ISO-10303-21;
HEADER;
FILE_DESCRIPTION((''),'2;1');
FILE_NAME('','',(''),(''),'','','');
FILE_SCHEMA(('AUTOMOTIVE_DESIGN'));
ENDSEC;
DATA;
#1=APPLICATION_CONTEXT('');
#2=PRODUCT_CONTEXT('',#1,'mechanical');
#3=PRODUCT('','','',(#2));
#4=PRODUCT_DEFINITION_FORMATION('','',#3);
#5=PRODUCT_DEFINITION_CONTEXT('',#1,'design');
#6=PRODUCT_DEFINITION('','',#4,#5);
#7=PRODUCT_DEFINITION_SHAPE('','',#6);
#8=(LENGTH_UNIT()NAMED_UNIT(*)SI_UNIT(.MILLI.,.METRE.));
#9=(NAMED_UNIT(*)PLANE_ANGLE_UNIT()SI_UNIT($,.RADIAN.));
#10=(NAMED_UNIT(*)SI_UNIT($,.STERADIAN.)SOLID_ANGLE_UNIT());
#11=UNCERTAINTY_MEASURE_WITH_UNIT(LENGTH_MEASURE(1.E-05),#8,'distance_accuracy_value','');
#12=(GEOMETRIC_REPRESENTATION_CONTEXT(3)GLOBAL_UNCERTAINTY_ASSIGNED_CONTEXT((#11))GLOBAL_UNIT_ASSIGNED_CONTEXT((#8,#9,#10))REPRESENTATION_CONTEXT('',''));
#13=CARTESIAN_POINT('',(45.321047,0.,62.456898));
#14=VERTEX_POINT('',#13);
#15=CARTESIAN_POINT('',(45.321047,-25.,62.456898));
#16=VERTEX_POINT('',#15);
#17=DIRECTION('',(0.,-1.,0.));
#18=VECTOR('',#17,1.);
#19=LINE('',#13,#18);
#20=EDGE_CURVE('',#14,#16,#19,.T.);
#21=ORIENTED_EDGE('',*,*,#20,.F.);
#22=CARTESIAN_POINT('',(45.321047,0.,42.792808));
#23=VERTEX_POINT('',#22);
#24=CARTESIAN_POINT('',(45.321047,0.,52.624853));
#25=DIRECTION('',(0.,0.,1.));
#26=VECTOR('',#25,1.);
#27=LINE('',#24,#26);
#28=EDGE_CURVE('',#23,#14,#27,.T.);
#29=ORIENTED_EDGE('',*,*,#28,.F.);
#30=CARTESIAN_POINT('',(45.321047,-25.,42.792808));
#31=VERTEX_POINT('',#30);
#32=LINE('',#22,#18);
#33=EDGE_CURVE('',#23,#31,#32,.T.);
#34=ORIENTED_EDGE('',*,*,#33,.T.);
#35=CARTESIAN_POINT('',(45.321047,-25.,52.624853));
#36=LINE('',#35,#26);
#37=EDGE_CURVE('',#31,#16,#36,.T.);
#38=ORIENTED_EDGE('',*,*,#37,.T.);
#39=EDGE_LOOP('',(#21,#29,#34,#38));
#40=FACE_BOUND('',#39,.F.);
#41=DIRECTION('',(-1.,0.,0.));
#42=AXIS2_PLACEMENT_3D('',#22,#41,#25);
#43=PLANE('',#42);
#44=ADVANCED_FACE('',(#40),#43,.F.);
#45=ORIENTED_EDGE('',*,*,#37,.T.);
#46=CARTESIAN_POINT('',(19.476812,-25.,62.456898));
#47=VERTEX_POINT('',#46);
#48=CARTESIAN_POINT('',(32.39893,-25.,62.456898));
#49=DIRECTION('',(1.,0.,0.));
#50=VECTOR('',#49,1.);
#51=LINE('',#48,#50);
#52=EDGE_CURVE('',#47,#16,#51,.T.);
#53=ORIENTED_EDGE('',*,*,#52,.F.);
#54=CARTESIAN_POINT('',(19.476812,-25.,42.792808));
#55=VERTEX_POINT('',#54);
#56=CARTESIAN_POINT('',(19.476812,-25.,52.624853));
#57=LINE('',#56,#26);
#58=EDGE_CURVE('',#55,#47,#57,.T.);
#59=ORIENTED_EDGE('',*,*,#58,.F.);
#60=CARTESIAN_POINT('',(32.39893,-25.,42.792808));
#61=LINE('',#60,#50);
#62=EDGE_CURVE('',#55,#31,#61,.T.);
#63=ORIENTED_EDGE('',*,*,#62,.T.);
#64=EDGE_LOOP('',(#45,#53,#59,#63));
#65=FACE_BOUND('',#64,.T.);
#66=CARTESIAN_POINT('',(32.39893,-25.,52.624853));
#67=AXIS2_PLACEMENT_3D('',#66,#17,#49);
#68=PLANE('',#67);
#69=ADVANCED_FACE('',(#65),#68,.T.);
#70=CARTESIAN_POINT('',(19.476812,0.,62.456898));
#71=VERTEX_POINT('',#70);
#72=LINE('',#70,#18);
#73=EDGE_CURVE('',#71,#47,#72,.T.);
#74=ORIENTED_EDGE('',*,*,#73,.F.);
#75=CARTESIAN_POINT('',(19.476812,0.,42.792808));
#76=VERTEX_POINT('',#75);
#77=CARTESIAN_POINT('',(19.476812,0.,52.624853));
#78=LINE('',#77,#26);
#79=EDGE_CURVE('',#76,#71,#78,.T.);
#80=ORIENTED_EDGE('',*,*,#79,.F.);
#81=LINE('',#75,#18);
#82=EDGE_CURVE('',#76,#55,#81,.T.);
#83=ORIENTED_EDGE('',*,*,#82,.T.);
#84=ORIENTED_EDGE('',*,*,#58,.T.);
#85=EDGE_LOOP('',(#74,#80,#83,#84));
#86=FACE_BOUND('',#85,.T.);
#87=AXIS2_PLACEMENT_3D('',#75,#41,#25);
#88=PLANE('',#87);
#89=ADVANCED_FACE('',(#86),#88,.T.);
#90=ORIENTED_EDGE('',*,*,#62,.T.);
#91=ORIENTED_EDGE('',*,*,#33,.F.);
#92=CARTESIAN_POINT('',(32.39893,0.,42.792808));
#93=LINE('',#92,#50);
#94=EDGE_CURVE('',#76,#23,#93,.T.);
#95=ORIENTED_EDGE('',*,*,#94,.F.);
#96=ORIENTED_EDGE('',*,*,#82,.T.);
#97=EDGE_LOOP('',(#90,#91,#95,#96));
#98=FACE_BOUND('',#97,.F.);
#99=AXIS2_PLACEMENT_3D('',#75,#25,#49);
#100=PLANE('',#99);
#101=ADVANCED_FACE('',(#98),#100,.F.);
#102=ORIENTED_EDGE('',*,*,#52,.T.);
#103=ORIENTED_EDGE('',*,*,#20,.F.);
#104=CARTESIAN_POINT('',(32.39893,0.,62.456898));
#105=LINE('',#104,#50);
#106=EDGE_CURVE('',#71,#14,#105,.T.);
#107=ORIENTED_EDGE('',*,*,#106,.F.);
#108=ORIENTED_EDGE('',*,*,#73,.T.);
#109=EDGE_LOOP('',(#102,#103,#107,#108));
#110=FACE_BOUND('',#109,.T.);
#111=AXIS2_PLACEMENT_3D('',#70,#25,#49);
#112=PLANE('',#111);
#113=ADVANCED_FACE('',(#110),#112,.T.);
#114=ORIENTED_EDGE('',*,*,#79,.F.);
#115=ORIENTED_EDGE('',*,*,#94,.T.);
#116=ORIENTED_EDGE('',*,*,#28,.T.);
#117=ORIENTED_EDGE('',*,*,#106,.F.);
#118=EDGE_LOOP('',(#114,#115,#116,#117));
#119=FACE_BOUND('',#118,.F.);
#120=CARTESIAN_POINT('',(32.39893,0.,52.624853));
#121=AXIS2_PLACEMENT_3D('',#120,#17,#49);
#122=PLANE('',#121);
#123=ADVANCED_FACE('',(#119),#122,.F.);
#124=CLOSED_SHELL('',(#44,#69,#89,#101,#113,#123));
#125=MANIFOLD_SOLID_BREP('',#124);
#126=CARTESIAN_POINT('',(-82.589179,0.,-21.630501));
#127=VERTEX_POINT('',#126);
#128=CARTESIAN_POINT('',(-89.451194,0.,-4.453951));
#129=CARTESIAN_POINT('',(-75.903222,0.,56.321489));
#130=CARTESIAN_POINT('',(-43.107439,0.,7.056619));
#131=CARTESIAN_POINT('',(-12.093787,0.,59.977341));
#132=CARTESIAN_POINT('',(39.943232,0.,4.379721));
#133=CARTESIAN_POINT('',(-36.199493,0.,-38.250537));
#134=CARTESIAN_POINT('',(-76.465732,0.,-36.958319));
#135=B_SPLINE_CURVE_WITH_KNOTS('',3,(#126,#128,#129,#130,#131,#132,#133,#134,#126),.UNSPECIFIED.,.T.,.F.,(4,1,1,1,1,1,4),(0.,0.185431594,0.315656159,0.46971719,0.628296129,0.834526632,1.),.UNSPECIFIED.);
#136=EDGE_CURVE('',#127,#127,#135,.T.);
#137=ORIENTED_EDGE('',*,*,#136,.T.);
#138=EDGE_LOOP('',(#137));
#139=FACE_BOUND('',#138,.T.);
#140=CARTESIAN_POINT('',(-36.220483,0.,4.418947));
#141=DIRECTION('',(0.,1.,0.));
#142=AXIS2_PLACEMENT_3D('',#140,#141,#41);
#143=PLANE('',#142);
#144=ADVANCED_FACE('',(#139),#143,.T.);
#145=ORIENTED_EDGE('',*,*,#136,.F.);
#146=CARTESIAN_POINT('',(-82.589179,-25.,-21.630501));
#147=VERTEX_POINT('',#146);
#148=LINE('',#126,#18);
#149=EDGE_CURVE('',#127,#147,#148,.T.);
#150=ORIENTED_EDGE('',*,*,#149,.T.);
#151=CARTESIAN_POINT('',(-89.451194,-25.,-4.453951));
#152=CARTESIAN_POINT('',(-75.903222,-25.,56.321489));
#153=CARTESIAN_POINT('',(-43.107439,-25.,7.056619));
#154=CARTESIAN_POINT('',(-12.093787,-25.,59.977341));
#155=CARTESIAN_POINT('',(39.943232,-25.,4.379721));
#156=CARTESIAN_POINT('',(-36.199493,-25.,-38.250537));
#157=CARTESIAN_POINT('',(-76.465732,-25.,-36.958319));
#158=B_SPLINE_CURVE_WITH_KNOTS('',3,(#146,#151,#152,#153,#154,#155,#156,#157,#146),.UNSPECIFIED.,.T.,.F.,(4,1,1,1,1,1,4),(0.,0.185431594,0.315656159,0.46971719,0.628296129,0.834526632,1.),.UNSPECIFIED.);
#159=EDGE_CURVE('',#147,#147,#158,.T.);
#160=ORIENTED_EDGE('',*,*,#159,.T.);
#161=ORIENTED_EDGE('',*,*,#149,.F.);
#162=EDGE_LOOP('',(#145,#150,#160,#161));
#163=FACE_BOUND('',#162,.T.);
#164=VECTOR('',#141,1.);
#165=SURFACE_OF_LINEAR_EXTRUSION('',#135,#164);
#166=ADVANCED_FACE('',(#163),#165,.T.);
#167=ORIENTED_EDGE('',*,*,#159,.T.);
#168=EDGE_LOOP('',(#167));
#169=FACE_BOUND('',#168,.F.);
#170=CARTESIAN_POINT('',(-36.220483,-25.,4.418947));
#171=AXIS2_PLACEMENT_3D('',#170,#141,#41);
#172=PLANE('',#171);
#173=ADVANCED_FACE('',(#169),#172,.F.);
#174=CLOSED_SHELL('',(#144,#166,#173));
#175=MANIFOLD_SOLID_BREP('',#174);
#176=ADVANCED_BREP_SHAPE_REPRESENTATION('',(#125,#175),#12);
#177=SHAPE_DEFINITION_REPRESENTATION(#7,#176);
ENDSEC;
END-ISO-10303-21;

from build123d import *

# Parameters (mm, degrees)
F1_DEPTH = 25
F0_W     = 25.8442349732
F0_H     = 19.6640901268


with BuildPart() as f1:
    # F0 (on Front) → F1 (new body)
    with BuildSketch(Plane.XZ):
        with BuildLine():
            add(Edge.make_bspline(
                [(-82.5891792774, -21.6305013746), (-89.4511938515, -4.4539511719), (-75.9032218879, 56.3214889248), (-43.1074394159, 7.0566190316), (-12.093787195, 59.9773405775), (39.943231533, 4.3797213554), (-36.1994930391, -38.2505368905), (-76.4657316261, -36.9583187176), (-82.5891792774, -21.6305013746)],
                knots=[0, 0, 0, 0, 0.1854315945, 0.3156561586, 0.4697171904, 0.6282961285, 0.8345266322, 1, 1, 1, 1], degree=3))
        make_face()
    extrude(amount=F1_DEPTH)


with BuildPart() as f1b:
    # F0 (on Front) → F1, piece 2 (new body)
    with BuildSketch(Plane.XZ):
        with Locations((32.3989298195, 52.6248533279)):
            Rectangle(F0_W, F0_H)
    extrude(amount=F1_DEPTH)


solid = Compound([f1.part, f1b.part])
